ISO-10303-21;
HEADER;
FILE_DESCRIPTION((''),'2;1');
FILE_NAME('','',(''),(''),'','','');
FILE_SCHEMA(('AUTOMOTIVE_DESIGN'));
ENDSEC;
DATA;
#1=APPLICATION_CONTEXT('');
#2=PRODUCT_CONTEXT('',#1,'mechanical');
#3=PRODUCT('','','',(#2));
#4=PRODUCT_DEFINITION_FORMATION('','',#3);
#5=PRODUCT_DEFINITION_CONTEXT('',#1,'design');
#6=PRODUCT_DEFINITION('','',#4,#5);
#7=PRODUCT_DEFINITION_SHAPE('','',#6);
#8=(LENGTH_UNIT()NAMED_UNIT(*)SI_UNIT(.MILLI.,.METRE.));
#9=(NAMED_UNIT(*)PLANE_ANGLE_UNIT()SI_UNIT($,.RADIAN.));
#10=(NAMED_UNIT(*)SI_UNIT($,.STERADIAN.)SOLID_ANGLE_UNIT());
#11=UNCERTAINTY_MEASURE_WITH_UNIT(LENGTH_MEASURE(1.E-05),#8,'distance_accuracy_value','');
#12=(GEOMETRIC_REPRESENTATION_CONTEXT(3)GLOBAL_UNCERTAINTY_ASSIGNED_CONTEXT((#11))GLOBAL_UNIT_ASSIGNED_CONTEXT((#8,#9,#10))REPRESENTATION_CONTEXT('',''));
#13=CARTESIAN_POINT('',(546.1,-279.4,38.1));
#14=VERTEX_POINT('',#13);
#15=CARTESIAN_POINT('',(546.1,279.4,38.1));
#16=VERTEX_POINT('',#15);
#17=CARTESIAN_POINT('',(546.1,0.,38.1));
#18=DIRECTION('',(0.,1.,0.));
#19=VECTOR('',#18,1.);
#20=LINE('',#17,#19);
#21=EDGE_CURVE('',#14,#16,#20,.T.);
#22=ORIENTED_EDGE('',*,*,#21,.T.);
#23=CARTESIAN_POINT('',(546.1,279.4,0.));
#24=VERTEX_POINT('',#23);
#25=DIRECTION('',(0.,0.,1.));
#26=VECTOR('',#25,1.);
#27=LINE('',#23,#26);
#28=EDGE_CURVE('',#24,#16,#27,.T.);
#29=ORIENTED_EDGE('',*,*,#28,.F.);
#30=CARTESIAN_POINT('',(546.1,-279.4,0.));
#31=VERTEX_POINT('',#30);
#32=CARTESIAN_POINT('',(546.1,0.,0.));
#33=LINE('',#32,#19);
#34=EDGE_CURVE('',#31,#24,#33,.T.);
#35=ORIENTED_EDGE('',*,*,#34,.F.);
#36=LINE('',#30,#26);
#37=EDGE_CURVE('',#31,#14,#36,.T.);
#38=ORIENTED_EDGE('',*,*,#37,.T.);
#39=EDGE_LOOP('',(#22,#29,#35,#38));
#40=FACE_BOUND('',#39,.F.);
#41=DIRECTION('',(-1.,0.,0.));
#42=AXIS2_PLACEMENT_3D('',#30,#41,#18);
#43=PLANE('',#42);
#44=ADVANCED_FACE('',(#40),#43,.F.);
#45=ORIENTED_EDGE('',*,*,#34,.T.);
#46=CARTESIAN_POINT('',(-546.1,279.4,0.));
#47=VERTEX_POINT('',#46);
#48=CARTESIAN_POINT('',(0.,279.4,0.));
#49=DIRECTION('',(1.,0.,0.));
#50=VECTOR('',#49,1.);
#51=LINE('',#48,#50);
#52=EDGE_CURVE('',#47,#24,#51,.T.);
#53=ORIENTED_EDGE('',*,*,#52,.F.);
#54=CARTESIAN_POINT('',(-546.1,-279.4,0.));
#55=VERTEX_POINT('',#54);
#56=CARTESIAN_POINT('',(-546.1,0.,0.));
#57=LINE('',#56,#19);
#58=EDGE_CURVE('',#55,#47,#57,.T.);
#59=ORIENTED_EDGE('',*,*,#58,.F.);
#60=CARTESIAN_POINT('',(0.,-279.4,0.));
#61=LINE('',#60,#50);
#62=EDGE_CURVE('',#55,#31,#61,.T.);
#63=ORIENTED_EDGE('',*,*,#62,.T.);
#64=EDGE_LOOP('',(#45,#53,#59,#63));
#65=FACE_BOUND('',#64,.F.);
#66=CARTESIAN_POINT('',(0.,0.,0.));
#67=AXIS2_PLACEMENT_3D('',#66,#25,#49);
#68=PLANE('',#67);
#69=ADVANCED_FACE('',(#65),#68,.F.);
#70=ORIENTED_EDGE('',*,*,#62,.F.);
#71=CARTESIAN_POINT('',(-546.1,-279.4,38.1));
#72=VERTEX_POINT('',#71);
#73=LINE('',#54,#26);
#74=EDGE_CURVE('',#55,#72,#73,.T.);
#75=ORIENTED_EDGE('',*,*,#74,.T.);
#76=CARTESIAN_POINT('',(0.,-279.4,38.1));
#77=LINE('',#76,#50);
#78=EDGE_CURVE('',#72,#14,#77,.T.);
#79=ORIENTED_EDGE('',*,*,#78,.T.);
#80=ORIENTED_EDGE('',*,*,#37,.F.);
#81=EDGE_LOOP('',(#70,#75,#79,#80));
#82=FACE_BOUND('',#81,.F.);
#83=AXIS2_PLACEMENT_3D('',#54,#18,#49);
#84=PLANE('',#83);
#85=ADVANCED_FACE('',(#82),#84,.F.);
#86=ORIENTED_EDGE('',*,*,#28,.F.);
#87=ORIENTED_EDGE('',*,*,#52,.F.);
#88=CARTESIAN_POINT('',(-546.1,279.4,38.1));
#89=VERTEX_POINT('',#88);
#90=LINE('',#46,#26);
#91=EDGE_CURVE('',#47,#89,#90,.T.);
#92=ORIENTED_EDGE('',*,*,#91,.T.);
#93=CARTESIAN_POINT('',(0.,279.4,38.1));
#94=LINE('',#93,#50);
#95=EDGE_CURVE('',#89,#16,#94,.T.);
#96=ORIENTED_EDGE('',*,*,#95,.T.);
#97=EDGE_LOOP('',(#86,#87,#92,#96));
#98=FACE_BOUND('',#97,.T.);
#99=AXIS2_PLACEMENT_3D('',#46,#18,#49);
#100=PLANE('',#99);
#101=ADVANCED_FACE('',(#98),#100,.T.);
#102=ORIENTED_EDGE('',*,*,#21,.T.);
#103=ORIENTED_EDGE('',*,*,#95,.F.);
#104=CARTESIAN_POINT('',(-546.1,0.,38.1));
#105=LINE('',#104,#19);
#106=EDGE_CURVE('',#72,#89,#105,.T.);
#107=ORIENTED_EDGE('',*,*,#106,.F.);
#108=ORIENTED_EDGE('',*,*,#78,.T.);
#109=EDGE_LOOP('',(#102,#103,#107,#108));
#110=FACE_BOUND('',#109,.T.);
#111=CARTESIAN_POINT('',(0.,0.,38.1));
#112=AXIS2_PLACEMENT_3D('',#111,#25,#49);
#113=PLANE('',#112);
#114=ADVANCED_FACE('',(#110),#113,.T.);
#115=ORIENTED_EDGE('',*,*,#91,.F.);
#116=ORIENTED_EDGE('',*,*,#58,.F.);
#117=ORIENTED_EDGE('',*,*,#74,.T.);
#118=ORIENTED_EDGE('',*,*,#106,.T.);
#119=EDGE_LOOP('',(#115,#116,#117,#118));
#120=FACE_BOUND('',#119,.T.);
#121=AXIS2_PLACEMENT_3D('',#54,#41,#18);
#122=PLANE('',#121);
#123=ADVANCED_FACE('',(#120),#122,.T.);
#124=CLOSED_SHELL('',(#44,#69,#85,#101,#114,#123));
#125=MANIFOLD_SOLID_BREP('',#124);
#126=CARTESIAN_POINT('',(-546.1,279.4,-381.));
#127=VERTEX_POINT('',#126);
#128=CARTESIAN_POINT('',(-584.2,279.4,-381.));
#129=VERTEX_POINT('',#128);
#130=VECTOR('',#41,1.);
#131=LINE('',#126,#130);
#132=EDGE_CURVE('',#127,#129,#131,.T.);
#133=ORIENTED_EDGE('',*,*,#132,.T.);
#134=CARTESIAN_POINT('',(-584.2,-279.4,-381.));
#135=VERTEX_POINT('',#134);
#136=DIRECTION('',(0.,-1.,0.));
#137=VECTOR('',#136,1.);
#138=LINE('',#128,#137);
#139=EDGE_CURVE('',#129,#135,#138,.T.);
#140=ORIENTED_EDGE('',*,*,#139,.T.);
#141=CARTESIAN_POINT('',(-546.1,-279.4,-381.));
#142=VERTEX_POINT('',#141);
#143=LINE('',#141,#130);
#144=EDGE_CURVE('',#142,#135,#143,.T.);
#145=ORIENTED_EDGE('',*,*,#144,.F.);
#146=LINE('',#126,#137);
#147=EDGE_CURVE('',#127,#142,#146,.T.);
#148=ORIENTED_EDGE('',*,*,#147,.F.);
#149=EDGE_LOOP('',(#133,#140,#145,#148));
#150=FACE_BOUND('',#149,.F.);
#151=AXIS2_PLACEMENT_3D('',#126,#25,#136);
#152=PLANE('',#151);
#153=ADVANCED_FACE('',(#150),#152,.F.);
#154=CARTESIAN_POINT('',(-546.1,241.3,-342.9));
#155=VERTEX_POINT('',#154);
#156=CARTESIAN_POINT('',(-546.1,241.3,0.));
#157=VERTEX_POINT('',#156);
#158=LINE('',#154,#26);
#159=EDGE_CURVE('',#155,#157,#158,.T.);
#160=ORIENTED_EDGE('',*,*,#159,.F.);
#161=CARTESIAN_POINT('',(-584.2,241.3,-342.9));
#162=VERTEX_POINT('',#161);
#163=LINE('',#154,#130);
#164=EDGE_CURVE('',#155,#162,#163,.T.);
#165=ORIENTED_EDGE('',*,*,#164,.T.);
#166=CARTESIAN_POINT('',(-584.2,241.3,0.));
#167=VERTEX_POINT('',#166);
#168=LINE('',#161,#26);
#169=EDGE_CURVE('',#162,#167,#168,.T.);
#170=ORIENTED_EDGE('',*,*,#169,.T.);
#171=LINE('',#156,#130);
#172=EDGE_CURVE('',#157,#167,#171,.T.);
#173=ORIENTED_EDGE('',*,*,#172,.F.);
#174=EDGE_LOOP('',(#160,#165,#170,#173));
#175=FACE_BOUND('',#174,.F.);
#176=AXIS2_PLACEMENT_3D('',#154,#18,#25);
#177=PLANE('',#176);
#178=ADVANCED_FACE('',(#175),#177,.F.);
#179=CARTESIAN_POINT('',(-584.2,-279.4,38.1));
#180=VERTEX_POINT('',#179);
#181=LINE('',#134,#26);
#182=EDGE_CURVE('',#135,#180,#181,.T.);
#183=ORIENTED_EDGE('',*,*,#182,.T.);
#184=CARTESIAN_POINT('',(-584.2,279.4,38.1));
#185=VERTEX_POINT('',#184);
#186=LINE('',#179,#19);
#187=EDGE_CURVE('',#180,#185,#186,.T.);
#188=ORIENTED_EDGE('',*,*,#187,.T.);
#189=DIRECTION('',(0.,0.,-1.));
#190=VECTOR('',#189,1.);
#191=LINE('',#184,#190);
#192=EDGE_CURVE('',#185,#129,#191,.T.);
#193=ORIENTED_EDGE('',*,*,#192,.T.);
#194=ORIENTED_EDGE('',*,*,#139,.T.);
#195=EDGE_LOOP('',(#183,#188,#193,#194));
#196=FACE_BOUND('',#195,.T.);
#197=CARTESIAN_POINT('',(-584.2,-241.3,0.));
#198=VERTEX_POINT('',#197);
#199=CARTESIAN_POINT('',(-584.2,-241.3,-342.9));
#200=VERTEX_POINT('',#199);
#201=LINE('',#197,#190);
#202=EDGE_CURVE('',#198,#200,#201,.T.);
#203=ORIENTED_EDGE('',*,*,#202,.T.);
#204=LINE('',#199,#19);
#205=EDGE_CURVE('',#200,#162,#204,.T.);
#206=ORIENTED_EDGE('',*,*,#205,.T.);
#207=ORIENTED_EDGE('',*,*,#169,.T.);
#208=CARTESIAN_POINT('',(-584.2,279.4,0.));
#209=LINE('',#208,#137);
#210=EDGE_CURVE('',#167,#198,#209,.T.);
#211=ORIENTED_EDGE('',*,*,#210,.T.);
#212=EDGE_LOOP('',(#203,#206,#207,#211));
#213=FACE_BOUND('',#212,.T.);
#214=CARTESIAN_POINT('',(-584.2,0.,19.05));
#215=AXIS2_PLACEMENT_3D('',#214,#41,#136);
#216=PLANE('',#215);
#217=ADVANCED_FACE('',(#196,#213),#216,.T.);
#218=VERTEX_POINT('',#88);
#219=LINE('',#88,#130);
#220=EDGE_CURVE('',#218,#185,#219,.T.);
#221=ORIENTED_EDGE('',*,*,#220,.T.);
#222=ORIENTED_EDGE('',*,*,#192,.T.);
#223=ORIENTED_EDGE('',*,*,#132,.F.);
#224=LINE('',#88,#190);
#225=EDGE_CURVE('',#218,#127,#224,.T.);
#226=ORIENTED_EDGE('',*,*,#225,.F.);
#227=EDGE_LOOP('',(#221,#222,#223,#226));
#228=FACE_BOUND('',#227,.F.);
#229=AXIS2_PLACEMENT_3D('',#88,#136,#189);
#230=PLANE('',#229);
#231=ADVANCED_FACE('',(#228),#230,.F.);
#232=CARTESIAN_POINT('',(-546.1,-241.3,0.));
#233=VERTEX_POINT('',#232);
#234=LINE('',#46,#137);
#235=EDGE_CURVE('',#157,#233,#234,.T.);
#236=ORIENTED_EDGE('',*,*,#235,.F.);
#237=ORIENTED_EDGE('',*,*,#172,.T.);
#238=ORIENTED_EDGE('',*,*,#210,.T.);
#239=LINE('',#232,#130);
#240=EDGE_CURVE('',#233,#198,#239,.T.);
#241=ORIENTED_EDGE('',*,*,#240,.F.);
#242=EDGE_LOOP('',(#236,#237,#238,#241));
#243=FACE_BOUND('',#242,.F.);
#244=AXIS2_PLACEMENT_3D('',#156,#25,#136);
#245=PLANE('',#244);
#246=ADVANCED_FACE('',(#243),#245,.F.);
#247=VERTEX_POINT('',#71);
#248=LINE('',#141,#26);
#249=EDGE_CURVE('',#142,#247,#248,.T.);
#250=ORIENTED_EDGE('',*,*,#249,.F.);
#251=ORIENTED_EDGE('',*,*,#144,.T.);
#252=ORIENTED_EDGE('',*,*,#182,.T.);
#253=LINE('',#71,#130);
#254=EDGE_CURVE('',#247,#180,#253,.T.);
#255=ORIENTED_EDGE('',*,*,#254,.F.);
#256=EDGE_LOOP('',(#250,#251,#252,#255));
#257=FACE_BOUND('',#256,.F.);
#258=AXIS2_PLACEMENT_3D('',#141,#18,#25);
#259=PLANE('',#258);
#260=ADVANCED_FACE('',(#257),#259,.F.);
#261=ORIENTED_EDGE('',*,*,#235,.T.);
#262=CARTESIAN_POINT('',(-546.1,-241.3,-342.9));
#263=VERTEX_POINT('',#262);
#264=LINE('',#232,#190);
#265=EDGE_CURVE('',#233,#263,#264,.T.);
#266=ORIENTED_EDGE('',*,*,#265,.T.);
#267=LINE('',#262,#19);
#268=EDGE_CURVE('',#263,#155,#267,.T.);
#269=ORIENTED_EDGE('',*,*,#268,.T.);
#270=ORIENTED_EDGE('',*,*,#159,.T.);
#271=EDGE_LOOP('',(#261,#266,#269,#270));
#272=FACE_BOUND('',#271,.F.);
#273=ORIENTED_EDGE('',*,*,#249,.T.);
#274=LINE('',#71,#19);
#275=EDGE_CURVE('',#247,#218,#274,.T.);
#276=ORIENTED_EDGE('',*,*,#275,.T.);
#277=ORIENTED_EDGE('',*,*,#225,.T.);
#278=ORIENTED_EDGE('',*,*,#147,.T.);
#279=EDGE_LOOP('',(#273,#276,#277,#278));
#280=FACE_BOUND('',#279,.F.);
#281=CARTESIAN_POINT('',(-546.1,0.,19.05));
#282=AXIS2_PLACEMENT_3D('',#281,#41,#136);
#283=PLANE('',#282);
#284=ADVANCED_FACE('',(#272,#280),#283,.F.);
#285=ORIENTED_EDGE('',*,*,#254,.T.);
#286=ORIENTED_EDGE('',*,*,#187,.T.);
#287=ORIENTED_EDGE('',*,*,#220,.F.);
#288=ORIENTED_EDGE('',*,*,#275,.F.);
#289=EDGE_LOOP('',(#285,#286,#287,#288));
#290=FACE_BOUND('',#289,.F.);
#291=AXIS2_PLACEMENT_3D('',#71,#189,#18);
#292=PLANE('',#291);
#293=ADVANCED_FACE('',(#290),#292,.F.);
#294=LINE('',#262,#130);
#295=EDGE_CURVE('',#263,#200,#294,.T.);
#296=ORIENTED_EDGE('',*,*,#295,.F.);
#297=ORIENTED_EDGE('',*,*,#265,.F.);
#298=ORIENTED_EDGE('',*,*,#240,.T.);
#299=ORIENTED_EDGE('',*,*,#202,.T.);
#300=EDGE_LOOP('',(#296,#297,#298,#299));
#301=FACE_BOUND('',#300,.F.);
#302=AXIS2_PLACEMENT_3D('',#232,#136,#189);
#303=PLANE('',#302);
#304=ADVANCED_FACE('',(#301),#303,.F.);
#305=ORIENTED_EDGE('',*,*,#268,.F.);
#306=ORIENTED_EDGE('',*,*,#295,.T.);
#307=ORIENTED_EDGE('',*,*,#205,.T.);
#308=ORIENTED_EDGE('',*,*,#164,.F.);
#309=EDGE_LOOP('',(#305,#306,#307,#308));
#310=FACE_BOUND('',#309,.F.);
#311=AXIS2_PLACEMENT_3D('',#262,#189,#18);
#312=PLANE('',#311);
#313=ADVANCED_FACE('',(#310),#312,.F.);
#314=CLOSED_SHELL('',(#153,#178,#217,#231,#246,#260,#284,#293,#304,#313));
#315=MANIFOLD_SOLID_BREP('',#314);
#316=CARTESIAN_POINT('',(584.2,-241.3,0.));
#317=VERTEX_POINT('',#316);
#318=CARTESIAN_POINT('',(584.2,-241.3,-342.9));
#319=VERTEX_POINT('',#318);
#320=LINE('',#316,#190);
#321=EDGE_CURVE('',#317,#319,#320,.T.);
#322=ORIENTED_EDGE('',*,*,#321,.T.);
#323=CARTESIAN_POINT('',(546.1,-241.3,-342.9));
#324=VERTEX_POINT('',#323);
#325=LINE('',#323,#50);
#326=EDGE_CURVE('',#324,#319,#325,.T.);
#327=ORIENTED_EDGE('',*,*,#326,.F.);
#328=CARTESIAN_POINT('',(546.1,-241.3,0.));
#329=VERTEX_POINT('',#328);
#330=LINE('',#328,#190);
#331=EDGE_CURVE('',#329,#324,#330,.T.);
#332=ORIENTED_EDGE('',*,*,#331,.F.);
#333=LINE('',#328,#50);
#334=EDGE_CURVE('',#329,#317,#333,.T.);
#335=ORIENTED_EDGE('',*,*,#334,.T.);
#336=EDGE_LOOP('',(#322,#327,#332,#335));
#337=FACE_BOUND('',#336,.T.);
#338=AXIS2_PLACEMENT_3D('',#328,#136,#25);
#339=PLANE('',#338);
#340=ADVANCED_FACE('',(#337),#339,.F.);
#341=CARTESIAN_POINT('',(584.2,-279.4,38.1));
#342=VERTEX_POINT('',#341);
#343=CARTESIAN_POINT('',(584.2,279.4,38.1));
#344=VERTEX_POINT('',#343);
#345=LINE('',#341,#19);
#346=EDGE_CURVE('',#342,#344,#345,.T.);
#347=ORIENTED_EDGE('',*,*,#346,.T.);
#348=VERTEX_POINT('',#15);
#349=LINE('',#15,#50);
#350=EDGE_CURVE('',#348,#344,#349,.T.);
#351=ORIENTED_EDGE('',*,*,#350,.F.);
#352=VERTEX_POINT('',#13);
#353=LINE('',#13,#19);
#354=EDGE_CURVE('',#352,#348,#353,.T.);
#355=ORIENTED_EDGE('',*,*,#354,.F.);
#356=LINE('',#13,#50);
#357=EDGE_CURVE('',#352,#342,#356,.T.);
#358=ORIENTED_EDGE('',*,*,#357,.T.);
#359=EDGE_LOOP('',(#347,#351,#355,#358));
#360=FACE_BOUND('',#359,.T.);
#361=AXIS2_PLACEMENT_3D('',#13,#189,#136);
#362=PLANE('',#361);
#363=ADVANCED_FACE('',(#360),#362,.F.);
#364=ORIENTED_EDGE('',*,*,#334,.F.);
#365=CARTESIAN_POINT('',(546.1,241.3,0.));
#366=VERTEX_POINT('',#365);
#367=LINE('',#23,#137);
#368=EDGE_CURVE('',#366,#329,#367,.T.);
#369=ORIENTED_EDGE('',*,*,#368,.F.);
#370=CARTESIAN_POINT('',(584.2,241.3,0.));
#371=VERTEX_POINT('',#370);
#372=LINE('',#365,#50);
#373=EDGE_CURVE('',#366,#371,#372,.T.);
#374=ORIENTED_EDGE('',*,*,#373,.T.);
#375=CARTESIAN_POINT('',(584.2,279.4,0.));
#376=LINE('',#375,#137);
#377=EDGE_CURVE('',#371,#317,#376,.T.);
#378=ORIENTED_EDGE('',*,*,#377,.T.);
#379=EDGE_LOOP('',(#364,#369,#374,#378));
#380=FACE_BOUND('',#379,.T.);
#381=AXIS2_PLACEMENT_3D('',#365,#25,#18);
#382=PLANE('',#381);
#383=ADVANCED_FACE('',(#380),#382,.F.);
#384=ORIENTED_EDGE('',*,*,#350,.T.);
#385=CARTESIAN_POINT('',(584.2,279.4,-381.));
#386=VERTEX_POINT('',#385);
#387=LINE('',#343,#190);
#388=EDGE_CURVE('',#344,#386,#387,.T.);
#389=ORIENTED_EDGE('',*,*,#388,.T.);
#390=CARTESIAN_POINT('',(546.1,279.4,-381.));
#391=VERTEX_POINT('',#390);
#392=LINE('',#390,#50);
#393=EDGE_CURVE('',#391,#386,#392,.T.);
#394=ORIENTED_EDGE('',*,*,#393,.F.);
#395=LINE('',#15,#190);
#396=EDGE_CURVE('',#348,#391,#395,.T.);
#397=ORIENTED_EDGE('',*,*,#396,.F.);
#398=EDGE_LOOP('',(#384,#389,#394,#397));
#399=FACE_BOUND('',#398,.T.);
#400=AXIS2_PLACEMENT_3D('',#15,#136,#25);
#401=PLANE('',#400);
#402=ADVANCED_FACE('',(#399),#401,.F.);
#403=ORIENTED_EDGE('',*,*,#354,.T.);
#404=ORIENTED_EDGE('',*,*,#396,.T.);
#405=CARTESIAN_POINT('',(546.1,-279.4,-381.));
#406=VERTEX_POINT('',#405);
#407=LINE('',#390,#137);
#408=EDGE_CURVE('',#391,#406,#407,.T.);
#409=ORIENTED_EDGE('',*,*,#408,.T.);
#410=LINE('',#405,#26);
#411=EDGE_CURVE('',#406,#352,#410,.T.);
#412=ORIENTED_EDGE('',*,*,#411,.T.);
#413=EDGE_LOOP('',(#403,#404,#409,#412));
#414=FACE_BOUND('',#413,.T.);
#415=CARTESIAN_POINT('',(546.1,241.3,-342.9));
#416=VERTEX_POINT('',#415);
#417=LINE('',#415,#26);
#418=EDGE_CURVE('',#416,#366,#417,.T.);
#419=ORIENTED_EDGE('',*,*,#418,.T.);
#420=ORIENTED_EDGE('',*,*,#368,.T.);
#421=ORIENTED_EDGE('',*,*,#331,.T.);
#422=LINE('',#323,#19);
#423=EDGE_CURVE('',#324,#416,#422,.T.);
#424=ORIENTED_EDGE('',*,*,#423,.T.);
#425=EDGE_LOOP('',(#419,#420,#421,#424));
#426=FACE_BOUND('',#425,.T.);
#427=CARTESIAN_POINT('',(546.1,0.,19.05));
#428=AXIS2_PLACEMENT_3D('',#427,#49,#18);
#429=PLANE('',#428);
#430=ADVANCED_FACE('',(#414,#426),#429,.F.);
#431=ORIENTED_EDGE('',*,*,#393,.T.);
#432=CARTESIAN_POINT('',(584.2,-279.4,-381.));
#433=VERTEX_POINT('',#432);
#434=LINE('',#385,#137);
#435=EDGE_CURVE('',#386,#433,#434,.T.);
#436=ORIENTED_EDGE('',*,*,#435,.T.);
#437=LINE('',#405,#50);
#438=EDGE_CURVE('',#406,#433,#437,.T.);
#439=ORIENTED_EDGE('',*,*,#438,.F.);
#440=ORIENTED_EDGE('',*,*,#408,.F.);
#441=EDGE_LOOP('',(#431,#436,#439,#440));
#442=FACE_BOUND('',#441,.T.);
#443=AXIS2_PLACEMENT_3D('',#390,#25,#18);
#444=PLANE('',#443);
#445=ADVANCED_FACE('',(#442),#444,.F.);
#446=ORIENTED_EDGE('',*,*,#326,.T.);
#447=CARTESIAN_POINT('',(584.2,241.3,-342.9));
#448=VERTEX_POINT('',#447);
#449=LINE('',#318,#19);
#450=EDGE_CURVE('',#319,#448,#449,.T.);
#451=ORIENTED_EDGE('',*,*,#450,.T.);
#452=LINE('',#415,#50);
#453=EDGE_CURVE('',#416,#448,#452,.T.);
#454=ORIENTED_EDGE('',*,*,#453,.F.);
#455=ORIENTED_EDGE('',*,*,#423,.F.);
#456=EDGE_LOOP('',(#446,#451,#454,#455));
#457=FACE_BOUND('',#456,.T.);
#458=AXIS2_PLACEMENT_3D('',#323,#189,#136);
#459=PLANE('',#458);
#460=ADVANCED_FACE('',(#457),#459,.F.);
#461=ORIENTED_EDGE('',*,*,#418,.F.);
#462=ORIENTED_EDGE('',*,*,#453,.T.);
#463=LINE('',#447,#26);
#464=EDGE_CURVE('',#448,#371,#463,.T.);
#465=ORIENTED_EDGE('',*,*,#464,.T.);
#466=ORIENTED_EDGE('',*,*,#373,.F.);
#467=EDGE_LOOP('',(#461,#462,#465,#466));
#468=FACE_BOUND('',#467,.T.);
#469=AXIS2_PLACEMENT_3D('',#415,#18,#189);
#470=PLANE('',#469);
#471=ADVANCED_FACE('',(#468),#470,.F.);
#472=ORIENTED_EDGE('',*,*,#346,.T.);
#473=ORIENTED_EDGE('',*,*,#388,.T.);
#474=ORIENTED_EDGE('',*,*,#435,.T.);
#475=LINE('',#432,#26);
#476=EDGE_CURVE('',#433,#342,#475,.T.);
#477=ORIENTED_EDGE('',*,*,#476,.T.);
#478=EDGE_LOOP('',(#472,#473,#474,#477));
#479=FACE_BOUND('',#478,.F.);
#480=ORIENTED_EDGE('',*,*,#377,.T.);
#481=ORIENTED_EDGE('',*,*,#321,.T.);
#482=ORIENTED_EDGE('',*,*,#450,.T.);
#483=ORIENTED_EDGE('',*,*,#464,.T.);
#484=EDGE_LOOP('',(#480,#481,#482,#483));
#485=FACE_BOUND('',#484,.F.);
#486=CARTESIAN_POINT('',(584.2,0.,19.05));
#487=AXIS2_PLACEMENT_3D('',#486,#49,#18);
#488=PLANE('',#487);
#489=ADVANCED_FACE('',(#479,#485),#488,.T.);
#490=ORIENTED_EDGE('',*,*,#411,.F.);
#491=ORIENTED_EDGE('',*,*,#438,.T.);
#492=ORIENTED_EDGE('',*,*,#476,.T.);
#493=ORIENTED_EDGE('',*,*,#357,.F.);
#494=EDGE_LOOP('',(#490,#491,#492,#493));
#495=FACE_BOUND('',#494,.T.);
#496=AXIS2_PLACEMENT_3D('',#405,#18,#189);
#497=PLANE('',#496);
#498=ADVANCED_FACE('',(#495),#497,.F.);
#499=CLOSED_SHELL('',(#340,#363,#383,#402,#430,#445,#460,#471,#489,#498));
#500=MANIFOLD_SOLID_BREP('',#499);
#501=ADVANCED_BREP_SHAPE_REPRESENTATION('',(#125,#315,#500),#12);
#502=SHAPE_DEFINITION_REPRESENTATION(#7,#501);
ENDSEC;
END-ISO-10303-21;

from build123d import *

# Parameters (mm, degrees)
F0_W     = 1092.2
F0_H     = 558.8
F1_DEPTH = 38.1
F3_DEPTH = 38.1


with BuildPart() as f1:
    # F0 (on Top) → F1 (new body)
    with BuildSketch(Plane.XY):
        Rectangle(F0_W, F0_H)
    extrude(amount=F1_DEPTH)


with BuildPart() as f3:
    # F2 (on face) → F3 (new body)
    with BuildSketch(Plane(origin=(-546.1, 0, 0), x_dir=(0, -1, 0), z_dir=(-1, 0, 0))):
        Polygon((279.4, 38.1), (-279.4, 38.1), (-279.4, 0), (-241.3, 0), (241.3, 0), (279.4, 0), align=None)
        Polygon((-241.3, 0), (-279.4, 0), (-279.4, -381), (279.4, -381), (279.4, 0), (241.3, 0), (241.3, -342.9), (-241.3, -342.9), align=None)
    extrude(amount=F3_DEPTH)


with BuildPart() as f4_1:
    # F4: instance of F3
    add(f3.part.mirror(Plane.YZ))


solid = Compound([f1.part, f3.part, f4_1.part])
